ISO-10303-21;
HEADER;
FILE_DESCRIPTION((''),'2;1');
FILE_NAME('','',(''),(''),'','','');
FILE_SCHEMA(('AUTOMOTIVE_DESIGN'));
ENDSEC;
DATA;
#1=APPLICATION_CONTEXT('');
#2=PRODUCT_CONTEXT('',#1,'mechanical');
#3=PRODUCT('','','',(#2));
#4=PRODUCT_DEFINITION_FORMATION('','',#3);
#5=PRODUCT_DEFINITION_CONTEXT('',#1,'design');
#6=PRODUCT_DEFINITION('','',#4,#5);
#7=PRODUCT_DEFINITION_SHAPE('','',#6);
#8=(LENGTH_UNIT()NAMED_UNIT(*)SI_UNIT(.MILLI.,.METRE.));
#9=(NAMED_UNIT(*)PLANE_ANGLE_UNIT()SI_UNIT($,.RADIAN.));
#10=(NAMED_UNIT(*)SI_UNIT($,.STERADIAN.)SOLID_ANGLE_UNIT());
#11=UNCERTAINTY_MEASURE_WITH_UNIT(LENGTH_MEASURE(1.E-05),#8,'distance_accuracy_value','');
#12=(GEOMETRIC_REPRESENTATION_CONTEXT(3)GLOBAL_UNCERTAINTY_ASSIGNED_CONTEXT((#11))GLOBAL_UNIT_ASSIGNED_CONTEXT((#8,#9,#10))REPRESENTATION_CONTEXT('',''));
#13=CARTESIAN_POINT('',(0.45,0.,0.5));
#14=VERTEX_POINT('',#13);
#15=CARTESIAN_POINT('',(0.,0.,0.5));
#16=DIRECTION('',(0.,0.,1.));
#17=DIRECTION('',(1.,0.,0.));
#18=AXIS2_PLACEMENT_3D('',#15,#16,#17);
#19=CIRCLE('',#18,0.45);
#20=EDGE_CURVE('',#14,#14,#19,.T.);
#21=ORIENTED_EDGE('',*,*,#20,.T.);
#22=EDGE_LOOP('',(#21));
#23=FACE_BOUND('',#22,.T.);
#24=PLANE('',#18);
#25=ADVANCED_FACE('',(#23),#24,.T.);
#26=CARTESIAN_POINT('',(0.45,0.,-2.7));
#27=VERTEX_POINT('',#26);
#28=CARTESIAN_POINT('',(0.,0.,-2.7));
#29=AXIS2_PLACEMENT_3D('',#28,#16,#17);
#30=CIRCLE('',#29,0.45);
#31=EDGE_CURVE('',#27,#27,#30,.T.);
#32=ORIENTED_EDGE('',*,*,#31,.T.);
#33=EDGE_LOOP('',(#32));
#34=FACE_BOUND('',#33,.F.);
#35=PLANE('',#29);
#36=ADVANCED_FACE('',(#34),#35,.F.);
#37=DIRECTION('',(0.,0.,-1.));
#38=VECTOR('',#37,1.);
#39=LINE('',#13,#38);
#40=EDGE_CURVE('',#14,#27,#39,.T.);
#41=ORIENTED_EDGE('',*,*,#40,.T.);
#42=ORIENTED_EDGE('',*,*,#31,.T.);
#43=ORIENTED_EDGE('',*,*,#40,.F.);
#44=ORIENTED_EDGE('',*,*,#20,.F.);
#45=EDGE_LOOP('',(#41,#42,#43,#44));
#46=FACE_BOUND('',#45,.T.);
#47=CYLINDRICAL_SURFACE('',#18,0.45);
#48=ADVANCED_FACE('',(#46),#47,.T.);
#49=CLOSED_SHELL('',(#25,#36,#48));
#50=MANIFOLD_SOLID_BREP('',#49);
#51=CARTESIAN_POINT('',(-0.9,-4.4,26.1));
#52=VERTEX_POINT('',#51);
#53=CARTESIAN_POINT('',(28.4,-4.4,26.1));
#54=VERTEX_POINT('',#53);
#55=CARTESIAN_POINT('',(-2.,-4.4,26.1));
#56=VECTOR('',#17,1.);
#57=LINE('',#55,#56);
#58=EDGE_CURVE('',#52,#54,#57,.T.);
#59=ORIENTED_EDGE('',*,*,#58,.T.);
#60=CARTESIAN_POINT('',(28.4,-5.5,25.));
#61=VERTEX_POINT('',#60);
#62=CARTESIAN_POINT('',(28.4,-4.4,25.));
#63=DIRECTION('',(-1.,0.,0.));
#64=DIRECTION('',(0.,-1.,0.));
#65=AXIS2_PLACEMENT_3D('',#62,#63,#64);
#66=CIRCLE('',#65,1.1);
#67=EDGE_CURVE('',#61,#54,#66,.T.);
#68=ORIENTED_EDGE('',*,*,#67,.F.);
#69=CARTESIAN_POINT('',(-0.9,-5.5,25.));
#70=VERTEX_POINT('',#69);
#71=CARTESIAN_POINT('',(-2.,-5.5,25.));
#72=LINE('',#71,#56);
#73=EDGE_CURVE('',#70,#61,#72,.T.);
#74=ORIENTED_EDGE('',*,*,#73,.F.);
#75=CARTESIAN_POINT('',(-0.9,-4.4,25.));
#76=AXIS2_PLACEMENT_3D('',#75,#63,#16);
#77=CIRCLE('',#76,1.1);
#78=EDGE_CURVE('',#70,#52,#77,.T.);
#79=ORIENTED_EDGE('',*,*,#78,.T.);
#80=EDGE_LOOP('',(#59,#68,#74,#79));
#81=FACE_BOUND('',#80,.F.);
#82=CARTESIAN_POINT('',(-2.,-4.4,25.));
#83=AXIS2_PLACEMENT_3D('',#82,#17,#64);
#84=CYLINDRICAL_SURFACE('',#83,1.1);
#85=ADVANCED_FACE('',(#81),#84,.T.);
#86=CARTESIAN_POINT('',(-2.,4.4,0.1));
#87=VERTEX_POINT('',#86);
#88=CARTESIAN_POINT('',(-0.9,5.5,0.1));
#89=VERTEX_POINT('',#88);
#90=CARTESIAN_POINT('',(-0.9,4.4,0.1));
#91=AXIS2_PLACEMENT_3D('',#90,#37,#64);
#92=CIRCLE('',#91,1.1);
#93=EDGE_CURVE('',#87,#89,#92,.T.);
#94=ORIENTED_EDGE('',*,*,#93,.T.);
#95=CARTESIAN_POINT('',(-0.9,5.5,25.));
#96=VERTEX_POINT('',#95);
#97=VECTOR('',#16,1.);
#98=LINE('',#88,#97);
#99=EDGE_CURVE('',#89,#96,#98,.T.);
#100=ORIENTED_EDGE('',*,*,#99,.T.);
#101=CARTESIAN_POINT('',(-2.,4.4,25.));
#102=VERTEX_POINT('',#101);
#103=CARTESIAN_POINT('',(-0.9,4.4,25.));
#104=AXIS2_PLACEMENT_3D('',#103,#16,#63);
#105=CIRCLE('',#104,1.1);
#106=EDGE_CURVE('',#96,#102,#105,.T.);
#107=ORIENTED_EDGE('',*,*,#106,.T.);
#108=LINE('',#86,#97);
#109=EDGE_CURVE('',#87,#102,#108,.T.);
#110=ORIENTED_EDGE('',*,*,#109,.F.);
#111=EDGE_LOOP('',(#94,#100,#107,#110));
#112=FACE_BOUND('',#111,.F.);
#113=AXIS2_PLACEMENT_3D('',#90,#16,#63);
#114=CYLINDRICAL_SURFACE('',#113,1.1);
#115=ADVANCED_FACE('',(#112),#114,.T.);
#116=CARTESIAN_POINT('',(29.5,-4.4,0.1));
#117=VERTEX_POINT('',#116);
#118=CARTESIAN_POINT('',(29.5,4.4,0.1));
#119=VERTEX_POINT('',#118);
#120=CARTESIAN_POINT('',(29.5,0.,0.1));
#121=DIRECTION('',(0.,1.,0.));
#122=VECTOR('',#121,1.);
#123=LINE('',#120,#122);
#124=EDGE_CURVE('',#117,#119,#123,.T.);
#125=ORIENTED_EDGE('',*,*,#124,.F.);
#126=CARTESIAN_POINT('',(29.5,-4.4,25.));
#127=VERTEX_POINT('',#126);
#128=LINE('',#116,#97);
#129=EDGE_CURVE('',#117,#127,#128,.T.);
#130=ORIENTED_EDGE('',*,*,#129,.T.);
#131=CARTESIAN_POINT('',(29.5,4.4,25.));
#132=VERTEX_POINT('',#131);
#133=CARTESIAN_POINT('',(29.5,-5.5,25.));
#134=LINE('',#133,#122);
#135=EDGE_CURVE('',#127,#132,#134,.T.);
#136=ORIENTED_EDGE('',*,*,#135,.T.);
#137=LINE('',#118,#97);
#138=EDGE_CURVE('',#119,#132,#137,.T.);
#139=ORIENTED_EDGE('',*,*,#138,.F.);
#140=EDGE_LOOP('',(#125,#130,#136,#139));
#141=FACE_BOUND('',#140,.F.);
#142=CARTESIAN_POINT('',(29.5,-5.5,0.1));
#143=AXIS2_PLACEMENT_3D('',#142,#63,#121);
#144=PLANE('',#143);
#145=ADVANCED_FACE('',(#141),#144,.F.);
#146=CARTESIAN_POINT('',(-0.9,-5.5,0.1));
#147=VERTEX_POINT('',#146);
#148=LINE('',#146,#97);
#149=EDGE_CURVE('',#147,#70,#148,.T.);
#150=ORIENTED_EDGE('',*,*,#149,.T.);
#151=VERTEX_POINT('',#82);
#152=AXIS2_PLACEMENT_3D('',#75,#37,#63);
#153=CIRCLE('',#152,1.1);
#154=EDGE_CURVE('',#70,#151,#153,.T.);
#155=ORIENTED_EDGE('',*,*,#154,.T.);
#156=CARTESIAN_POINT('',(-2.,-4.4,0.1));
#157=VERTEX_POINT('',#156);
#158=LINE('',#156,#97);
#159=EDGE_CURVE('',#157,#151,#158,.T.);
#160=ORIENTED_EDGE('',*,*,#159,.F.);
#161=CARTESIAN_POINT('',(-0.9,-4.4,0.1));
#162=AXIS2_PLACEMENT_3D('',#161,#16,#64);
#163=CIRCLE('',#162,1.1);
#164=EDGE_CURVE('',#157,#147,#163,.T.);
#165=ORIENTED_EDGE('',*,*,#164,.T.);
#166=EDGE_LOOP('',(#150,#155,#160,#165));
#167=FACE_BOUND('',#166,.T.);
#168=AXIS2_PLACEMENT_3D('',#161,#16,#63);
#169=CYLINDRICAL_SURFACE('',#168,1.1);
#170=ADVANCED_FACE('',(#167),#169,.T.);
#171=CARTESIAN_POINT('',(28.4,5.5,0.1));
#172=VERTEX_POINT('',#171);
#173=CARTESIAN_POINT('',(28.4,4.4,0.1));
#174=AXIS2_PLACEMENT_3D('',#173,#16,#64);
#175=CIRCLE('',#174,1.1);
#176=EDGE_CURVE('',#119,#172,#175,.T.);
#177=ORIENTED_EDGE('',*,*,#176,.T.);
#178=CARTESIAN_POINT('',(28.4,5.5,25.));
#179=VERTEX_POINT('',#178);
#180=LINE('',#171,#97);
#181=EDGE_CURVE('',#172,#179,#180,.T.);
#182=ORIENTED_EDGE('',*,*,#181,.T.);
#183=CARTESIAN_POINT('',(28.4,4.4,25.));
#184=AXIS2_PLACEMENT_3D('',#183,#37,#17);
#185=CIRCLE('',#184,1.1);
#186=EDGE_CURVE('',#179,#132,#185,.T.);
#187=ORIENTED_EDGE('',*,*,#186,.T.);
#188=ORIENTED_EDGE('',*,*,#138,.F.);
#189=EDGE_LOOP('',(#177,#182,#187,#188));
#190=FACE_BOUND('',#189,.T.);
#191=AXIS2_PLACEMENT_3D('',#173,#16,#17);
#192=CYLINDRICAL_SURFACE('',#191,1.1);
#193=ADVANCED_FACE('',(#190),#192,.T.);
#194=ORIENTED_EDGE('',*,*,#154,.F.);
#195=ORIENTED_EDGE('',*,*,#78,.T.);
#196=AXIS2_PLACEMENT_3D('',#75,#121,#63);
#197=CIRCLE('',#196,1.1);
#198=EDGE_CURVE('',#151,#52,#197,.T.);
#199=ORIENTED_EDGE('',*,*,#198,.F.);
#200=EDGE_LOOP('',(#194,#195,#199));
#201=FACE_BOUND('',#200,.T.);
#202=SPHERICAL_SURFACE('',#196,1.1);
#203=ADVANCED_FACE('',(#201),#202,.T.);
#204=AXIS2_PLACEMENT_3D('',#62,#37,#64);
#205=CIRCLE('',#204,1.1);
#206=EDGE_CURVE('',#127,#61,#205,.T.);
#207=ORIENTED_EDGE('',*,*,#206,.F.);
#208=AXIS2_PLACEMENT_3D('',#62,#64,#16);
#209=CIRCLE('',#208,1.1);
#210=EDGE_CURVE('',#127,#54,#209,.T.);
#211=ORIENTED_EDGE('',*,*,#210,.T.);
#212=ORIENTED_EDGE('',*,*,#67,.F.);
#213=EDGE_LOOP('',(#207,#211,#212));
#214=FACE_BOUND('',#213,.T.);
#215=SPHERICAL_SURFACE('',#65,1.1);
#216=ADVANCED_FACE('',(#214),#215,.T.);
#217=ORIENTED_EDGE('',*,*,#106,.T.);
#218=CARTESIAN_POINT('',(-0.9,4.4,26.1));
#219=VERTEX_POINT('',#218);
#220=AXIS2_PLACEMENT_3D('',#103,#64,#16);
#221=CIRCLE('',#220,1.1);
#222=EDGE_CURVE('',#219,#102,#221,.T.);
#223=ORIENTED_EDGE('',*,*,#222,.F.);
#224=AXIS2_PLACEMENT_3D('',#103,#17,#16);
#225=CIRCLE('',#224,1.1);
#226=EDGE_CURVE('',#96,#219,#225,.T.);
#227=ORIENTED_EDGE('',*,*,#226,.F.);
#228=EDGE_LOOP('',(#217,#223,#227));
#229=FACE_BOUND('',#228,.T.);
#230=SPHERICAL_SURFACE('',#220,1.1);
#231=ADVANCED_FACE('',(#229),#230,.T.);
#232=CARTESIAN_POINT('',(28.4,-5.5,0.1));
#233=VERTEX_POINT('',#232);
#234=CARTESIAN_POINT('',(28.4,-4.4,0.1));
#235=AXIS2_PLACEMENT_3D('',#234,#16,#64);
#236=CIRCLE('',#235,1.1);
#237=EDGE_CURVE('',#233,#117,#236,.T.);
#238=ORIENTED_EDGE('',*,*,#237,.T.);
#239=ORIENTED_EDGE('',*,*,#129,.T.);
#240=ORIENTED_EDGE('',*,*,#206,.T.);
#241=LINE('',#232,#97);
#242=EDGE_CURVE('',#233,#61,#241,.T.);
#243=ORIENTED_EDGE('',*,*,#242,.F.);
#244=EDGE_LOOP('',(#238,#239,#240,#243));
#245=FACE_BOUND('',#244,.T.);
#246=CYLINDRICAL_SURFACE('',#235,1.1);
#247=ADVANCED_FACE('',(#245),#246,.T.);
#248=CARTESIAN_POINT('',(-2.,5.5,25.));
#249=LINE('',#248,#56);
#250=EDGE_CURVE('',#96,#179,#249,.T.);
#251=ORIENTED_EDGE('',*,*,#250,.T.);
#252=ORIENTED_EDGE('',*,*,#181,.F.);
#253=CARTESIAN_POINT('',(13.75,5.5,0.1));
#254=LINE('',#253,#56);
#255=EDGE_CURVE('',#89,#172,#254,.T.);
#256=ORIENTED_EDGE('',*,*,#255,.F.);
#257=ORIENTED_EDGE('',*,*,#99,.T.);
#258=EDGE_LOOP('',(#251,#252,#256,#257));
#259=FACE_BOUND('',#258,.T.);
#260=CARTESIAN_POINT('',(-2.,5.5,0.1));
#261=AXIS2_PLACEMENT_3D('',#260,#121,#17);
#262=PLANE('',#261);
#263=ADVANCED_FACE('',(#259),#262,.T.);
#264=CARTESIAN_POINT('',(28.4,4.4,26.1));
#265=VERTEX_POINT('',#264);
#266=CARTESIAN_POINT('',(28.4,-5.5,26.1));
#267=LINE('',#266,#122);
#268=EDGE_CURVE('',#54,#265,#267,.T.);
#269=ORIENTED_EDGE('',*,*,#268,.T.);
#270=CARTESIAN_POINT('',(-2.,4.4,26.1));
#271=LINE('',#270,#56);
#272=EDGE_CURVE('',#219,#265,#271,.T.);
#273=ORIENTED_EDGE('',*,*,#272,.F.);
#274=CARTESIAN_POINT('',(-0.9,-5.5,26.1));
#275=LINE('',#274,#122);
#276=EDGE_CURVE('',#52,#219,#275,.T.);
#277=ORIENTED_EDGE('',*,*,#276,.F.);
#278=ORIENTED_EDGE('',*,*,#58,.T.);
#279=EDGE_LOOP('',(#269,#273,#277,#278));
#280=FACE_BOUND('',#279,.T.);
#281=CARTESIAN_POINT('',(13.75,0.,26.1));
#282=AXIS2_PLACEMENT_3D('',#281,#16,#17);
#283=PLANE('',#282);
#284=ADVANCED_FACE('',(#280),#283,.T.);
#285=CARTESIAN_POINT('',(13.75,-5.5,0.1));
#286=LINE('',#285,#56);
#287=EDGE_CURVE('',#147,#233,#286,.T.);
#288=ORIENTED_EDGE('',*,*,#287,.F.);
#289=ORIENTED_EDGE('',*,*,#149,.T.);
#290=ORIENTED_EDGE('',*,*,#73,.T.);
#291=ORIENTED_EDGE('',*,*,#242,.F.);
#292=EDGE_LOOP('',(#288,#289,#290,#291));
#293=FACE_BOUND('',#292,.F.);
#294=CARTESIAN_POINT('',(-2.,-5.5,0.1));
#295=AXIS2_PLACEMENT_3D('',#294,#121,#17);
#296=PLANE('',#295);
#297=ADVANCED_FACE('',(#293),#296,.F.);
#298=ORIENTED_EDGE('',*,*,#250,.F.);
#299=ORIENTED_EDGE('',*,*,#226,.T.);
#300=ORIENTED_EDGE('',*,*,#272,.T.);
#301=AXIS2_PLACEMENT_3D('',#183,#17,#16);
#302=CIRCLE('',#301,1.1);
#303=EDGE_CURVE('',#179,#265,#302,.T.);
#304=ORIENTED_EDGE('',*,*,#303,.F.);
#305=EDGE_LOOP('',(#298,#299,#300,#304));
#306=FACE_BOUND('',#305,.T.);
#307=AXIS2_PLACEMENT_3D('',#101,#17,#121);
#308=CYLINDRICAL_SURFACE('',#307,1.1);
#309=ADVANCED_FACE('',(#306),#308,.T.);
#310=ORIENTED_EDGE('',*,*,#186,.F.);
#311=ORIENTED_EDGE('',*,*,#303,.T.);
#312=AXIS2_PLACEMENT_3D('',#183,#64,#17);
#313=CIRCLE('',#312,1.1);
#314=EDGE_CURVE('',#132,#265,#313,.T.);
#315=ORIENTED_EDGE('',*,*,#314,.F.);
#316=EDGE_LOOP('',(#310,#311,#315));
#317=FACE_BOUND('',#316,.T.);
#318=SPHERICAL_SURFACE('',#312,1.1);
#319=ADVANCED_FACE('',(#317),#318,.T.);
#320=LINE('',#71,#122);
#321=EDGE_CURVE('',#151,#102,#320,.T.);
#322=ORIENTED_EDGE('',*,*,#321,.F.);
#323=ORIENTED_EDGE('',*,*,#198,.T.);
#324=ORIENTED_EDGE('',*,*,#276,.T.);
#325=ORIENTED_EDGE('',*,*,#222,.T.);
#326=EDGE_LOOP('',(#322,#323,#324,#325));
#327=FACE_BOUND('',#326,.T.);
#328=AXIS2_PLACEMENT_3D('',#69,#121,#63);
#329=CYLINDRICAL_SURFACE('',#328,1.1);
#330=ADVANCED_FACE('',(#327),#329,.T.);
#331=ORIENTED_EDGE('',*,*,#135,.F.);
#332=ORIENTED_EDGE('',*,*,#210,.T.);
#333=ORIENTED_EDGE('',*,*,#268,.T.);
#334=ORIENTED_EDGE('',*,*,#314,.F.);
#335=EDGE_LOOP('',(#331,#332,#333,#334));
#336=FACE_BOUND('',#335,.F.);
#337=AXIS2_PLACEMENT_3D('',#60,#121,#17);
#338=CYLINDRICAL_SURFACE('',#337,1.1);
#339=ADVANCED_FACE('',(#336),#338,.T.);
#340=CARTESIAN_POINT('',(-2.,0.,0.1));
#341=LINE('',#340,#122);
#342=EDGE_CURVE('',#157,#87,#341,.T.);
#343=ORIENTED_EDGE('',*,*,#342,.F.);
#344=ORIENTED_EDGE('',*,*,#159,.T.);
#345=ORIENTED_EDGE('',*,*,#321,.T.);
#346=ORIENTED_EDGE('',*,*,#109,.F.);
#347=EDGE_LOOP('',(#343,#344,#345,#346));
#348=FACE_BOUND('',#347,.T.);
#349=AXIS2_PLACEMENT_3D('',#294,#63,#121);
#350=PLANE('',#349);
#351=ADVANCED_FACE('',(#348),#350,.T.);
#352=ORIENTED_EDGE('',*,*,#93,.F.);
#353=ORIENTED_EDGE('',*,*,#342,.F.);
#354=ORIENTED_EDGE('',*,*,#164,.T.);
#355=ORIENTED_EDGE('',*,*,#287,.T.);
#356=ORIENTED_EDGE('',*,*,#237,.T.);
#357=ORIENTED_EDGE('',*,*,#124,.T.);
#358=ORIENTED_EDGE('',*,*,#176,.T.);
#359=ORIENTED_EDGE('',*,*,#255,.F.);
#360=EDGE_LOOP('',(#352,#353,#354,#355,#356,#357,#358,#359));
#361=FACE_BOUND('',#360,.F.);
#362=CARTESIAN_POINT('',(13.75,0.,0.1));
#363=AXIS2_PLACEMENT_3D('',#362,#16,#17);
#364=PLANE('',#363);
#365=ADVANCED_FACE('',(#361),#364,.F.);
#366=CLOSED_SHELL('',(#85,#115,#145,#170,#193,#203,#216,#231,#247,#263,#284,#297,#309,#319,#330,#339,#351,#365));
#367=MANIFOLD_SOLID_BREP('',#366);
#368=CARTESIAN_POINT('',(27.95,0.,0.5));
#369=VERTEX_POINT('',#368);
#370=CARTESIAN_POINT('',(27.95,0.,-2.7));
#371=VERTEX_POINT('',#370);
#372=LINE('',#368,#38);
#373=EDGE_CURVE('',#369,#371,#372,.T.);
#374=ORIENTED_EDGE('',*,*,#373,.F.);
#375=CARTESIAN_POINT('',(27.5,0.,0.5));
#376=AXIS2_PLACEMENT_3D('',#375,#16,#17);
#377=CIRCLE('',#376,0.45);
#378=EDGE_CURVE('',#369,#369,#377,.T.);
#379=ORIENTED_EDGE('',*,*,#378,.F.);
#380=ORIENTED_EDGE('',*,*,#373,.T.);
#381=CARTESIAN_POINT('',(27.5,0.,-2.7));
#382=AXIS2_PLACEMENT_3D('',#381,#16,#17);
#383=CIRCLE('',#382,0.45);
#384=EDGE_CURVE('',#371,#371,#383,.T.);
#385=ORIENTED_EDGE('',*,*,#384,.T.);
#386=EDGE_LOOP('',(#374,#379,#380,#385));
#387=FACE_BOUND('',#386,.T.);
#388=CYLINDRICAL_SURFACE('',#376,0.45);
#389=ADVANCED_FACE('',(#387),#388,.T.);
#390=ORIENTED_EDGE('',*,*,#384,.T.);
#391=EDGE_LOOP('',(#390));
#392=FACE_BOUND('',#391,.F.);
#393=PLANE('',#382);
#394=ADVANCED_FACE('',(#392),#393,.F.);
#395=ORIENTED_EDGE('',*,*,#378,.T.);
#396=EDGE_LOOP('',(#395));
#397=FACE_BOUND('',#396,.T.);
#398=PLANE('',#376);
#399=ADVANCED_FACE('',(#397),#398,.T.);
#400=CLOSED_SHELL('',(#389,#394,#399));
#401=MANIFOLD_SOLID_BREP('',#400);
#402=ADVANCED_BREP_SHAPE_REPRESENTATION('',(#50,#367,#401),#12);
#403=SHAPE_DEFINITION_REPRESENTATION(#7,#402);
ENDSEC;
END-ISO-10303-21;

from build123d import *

# Parameters (mm, degrees)
SKETCH_W     = 31.5
SKETCH_H     = 11
PAD_DEPTH    = 26
FILLET_R     = 1.1
SKETCH001_R  = 0.45
PAD001_DEPTH = 3.2


with BuildPart() as fillet_body:
    # Sketch → Pad (new body)
    with BuildSketch(Plane.XY.offset(0.1)):
        with Locations((13.75, 0)):
            Rectangle(SKETCH_W, SKETCH_H)
    extrude(amount=PAD_DEPTH)

    # Fillet
    fillet_edges = [fillet_body.edges().sort_by_distance(p)[0] for p in [
        (-2, 0, 26.1),
        (-2, -5.5, 13.1),
        (13.75, -5.5, 26.1),
        (29.5, -5.5, 13.1),
        (29.5, 0, 26.1),
        (29.5, 5.5, 13.1),
        (13.75, 5.5, 26.1),
        (-2, 5.5, 13.1),
    ]]
    fillet(fillet_edges, radius=FILLET_R)


with BuildPart() as pad001:
    # Sketch001 → Pad001 (new body)
    with BuildSketch(Plane.XY.offset(0.5)):
        Circle(SKETCH001_R)
        with Locations((27.5, 0)):
            Circle(SKETCH001_R)
    extrude(amount=-PAD001_DEPTH)


solid = Compound([fillet_body.part, pad001.part])
